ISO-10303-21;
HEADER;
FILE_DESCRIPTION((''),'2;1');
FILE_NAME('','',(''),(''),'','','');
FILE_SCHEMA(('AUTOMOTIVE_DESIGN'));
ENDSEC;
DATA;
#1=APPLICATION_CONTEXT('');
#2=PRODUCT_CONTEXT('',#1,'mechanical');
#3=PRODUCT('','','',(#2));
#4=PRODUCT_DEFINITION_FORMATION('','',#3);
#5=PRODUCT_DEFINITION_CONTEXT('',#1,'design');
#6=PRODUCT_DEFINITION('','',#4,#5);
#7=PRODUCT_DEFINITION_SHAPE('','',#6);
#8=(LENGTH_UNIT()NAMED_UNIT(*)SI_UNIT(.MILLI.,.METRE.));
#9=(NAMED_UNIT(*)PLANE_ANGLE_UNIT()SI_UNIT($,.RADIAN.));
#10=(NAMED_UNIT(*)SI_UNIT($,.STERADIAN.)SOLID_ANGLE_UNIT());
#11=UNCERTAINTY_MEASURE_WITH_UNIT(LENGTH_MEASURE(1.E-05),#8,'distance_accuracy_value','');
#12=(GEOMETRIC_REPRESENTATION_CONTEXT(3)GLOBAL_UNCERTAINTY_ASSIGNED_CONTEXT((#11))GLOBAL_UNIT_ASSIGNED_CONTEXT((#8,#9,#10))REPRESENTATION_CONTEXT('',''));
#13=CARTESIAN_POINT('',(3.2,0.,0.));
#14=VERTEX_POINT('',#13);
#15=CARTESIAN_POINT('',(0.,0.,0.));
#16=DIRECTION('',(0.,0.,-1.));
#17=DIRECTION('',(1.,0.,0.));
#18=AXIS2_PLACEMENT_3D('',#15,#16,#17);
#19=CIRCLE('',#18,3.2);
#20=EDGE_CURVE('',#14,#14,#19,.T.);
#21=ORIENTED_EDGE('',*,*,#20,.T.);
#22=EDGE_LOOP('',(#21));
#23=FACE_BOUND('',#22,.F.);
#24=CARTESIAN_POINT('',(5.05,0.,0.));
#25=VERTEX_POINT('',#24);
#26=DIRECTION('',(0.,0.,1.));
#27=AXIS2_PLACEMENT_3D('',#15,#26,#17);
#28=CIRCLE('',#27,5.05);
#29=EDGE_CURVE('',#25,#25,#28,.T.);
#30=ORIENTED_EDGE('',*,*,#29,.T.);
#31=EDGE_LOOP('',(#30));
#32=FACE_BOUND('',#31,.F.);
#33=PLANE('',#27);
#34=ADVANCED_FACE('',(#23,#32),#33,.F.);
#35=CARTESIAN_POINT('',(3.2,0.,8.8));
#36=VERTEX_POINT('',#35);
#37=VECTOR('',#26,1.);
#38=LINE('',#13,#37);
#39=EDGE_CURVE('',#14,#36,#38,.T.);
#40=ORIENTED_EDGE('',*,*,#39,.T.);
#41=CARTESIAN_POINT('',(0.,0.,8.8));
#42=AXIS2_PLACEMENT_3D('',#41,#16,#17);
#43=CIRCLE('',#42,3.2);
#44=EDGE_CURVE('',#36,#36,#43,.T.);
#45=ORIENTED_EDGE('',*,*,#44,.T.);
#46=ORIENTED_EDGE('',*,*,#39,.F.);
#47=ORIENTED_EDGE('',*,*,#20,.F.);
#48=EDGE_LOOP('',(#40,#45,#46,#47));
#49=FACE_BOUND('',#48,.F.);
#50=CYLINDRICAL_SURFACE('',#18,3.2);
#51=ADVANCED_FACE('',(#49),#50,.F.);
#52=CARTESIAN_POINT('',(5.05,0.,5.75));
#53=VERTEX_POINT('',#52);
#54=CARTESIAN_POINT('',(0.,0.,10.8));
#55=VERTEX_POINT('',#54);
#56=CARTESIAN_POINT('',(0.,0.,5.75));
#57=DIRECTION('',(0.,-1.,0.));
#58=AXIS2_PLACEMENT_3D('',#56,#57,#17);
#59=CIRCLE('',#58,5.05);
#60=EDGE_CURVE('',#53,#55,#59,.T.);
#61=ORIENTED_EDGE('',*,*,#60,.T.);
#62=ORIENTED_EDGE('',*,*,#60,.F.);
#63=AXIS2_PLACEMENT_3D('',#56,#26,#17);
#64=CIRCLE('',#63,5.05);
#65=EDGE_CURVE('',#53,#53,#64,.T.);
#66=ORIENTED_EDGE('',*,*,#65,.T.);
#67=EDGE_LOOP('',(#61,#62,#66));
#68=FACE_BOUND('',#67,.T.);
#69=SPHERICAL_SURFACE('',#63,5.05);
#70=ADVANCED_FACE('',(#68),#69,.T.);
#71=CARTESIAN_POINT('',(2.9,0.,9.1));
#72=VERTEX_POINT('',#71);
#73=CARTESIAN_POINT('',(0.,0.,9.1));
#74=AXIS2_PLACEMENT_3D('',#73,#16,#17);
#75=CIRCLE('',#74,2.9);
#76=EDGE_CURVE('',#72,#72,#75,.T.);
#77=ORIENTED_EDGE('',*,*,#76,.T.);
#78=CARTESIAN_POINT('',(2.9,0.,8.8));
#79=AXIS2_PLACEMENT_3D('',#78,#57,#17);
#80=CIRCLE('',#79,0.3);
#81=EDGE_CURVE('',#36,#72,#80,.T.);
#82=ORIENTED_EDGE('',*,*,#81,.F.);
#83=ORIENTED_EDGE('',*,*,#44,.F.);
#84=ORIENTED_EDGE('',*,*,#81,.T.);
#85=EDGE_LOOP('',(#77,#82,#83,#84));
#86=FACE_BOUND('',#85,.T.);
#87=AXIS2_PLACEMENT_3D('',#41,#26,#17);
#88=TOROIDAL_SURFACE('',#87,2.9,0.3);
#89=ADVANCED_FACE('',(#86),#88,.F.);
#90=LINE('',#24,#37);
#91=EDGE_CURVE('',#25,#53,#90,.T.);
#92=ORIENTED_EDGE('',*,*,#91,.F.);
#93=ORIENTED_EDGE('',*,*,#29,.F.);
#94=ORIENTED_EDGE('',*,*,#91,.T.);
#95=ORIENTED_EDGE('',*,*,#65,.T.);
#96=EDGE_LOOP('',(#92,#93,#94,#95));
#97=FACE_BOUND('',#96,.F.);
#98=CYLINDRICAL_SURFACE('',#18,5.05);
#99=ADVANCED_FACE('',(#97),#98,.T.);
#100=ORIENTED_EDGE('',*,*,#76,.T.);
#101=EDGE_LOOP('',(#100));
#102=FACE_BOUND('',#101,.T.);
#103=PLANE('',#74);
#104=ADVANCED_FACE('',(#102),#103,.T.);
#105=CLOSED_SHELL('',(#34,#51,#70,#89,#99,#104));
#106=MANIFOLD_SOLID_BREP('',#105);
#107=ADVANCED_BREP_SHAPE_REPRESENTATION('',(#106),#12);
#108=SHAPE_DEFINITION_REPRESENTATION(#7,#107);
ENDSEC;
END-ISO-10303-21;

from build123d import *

# Parameters (mm, degrees)
F0_R     = 5.05
F1_DEPTH = 10.8
F2_R     = 5.05
F3_R     = 3.2
F4_DEPTH = 9.1
F5_R     = 0.3


with BuildPart() as f1:
    # F0 (on Top) → F1 (new body)
    with BuildSketch(Plane.XY):
        Circle(F0_R)
    extrude(amount=F1_DEPTH)

    # F2
    f2_edges = [f1.edges().sort_by_distance(p)[0] for p in [
        (-5.05, 0, 10.8),
    ]]
    fillet(f2_edges, radius=F2_R)

    # F3 (on face) → F4 (cut)
    with BuildSketch(Plane(origin=(0, 0, 0), x_dir=(1, 0, 0), z_dir=(0, 0, -1))):
        Circle(F3_R)
    extrude(amount=-F4_DEPTH, mode=Mode.SUBTRACT)

    # F5
    f5_edges = [f1.edges().sort_by_distance(p)[0] for p in [
        (-3.2, 0, 9.1),
    ]]
    fillet(f5_edges, radius=F5_R)


solid = f1.part
